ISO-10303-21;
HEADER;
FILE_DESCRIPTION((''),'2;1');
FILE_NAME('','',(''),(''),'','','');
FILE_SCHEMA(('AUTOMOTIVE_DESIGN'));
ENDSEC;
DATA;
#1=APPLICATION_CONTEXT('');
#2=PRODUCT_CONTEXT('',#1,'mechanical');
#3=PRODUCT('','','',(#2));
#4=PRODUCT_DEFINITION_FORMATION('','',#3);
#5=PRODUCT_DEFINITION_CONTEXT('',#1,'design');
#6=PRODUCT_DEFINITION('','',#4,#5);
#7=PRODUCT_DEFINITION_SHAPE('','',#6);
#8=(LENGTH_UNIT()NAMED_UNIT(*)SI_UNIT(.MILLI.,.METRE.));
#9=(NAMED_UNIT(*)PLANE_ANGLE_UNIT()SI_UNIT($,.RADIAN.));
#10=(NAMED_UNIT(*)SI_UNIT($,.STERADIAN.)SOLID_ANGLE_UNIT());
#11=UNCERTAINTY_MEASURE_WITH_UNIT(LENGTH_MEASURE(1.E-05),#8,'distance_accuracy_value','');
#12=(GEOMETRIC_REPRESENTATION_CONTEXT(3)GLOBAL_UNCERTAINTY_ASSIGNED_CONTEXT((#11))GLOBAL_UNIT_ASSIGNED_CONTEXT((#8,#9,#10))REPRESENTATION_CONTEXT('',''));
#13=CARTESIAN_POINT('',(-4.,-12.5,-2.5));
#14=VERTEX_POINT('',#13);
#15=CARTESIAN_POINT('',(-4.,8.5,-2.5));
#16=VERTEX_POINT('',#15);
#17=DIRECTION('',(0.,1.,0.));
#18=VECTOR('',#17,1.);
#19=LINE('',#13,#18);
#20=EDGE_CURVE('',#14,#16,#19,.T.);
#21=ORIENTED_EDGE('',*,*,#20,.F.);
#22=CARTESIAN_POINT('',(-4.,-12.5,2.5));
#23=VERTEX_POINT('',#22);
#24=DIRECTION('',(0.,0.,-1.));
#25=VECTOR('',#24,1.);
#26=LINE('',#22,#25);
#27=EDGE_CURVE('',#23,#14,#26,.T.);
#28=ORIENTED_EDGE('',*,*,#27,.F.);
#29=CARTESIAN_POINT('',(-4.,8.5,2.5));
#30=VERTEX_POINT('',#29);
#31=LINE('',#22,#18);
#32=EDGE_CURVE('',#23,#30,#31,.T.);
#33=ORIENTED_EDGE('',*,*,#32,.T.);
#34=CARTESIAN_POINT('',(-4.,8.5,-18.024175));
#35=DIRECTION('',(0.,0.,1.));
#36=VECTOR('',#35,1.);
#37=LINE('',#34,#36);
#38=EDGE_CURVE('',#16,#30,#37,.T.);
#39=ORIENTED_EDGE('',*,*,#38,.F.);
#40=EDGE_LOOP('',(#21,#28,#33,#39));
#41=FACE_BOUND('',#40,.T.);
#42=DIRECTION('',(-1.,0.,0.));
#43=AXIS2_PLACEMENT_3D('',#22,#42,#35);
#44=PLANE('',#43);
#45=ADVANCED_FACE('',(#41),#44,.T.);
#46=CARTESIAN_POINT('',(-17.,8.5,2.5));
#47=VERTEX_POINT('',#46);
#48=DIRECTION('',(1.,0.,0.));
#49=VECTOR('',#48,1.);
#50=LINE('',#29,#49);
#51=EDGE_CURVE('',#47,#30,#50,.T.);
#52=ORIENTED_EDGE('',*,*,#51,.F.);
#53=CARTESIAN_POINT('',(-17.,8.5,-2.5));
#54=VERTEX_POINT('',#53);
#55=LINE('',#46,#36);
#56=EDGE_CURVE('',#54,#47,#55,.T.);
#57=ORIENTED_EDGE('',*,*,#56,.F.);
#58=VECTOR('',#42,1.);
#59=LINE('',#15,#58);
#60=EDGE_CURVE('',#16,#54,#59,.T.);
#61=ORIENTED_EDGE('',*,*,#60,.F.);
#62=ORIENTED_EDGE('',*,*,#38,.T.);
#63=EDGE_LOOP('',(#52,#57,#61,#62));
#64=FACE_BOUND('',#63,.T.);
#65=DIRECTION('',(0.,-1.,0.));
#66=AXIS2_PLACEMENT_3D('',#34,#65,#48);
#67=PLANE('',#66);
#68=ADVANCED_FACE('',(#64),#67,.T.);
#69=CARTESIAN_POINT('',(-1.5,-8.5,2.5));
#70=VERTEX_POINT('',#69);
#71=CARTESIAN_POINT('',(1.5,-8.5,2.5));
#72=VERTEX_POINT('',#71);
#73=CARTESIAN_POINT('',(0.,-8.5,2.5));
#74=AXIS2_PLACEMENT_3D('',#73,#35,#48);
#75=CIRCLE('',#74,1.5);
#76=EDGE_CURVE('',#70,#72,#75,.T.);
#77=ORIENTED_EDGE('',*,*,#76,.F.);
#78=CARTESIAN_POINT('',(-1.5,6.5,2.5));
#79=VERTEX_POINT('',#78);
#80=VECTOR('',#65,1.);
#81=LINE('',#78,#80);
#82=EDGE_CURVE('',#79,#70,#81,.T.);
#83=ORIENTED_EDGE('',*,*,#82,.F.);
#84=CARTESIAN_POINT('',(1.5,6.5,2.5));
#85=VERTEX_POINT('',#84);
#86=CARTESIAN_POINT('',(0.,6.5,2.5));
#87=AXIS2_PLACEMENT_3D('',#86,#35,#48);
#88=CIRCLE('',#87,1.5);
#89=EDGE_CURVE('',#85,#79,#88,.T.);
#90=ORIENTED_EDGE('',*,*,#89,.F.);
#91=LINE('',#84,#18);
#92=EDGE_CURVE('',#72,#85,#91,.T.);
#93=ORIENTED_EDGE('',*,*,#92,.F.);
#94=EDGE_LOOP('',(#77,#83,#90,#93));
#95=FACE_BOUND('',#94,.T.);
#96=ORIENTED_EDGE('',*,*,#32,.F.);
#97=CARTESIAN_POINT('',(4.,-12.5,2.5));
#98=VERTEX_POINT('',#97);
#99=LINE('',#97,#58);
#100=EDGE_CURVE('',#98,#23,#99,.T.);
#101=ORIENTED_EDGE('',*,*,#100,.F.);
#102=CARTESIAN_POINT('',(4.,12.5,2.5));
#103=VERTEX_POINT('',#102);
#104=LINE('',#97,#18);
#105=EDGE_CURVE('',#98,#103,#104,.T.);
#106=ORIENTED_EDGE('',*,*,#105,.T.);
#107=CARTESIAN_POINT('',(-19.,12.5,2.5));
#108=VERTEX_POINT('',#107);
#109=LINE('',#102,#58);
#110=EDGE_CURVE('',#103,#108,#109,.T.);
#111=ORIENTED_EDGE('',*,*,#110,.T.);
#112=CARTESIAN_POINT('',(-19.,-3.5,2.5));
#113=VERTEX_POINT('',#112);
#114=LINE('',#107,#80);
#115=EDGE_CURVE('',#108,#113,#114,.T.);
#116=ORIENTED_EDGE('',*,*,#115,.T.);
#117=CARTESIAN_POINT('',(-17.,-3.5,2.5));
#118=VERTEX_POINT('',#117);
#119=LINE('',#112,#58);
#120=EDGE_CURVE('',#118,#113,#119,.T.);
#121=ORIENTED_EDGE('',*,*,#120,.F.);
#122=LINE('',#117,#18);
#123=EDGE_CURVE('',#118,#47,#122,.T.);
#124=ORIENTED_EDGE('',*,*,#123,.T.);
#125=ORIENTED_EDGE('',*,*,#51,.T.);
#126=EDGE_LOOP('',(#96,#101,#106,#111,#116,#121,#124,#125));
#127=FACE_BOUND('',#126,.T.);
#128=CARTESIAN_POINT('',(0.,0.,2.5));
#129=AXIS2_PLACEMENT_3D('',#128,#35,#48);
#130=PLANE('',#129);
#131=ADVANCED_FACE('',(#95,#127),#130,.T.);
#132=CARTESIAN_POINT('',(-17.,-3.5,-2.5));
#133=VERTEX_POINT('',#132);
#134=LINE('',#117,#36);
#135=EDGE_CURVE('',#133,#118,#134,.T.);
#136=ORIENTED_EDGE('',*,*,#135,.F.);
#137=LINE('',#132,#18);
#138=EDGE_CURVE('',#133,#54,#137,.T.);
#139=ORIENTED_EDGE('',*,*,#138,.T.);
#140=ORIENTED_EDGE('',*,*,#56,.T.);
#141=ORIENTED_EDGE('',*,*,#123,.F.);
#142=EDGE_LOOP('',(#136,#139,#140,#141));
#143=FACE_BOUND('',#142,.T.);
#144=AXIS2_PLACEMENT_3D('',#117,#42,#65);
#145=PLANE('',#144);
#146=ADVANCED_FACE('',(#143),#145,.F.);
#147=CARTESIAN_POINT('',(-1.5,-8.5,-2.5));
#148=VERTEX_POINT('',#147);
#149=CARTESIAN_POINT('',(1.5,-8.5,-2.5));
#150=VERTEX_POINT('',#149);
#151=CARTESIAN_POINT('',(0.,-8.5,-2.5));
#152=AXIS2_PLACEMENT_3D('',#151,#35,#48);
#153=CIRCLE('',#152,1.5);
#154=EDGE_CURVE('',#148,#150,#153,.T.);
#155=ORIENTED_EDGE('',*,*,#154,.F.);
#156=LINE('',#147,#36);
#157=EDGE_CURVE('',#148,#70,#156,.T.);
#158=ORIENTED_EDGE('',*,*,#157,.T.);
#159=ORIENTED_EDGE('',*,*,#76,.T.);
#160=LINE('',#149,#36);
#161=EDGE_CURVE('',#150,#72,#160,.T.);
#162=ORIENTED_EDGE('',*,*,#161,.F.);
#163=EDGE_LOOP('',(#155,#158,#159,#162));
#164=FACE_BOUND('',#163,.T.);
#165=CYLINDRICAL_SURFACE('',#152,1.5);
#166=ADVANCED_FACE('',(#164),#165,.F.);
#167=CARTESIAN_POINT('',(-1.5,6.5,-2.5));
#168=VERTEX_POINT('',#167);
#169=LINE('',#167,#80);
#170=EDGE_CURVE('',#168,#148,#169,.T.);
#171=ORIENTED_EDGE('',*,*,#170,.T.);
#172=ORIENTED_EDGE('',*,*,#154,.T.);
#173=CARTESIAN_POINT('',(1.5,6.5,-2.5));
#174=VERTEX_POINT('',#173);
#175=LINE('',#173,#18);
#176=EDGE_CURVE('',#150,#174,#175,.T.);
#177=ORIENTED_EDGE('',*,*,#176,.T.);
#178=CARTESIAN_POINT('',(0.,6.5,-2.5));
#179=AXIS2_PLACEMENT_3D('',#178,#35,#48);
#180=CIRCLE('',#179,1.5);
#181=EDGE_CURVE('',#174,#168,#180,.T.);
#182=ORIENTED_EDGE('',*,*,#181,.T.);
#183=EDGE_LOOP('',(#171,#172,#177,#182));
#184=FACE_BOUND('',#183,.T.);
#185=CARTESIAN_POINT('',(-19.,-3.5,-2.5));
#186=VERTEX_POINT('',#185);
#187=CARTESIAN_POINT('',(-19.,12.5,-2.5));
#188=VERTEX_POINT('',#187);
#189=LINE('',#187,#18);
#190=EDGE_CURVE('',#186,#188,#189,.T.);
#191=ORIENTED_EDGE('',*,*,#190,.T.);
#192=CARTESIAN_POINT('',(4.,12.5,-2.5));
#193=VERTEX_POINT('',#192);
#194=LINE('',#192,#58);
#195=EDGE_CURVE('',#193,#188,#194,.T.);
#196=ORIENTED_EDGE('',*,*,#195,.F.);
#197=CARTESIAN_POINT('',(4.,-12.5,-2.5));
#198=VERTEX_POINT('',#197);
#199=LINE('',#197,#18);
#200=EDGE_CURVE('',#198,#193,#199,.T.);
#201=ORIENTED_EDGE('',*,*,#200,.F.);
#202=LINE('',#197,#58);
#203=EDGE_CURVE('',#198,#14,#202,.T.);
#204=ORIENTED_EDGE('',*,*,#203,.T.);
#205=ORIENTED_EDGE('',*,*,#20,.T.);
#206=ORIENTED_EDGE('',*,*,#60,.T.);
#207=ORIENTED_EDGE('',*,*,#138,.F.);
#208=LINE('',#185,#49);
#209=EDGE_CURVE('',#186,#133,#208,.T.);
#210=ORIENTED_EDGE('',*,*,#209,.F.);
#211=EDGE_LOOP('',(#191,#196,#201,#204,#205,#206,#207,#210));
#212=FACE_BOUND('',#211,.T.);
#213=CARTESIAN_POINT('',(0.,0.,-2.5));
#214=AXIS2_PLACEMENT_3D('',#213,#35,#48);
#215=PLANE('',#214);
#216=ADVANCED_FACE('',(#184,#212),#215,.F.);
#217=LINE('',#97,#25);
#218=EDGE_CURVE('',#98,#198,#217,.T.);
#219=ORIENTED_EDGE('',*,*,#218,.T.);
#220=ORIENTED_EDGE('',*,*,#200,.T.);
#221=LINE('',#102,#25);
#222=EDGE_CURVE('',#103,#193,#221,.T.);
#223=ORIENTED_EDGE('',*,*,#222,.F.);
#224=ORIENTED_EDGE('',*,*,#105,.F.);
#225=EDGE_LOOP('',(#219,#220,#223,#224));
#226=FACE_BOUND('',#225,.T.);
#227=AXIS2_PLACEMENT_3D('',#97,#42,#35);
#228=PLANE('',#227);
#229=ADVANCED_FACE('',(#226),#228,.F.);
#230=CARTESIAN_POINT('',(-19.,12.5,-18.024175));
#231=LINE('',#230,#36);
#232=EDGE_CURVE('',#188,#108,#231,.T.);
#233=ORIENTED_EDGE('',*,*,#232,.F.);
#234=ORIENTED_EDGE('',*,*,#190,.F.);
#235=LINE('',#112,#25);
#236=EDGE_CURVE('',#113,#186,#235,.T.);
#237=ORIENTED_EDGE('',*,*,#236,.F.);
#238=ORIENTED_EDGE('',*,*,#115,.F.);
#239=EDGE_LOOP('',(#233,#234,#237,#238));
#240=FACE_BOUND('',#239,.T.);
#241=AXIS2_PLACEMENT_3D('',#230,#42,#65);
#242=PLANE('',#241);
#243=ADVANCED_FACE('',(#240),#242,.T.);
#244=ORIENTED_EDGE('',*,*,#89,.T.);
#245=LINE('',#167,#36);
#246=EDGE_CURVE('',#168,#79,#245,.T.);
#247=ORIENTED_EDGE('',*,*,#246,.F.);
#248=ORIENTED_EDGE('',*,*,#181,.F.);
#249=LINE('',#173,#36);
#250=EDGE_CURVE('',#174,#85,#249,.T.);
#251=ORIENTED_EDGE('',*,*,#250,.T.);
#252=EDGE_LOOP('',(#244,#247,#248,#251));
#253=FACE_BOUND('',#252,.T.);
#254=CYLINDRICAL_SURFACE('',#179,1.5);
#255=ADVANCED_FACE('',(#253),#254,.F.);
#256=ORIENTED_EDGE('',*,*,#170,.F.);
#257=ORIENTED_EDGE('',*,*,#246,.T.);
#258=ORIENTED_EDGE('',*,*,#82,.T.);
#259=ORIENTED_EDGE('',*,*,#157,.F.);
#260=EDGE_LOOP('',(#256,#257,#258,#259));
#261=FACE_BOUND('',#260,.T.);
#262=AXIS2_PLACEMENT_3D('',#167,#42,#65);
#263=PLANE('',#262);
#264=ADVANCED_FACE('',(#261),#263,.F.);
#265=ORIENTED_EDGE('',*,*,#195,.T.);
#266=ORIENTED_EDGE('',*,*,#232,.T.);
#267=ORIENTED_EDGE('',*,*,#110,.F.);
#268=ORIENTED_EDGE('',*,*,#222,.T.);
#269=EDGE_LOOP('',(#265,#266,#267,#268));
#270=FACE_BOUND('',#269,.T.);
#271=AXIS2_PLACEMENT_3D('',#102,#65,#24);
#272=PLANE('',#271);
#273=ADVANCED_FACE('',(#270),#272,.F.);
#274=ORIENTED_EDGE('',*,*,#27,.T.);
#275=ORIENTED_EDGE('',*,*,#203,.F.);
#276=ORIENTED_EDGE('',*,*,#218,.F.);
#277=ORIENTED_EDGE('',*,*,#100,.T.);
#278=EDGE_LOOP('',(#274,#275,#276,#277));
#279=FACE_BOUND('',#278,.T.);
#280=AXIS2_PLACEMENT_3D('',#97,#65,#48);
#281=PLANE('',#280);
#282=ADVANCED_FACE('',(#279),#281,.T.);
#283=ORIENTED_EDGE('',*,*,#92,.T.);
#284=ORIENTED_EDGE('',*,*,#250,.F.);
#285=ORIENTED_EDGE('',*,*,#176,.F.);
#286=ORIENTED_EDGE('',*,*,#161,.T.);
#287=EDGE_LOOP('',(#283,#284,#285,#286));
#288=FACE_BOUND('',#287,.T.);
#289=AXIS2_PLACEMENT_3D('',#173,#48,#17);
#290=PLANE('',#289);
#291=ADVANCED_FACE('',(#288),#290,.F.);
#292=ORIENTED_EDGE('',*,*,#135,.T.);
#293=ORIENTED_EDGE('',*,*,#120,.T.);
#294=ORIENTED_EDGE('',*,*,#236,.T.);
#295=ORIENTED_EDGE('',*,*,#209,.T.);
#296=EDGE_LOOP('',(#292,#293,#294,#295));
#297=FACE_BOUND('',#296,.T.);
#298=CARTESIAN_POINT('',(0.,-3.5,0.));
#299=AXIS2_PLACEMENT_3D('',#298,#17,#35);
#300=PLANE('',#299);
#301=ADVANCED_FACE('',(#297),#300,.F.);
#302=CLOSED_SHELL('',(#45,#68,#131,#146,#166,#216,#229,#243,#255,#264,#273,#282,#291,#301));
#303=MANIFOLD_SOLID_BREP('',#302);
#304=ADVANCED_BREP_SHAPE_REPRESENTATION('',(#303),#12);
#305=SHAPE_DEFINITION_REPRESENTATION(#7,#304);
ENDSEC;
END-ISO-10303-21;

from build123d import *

# Parameters (mm, degrees)
SKETCH1_W           = 8
SKETCH1_H           = 25
BOSS_EXTRUDE6_DEPTH = 2.5
SKETCH8_W           = 15
SKETCH8_H           = 4
BOSS_EXTRUDE7_DEPTH = 5
SKETCH9_W           = 2
SKETCH9_H           = 5
BOSS_EXTRUDE8_DEPTH = 12
CUT_EXTRUDE1_DEPTH  = 6


with BuildPart() as part:
    # Sketch1 → Boss-Extrude6 (new body, symmetric)
    with BuildSketch(Plane.XY):
        Rectangle(SKETCH1_W, SKETCH1_H)
    extrude(amount=BOSS_EXTRUDE6_DEPTH, both=True)

    # Sketch8 → Boss-Extrude7 (add)
    with BuildSketch(Plane.XY.offset(2.5)):
        with Locations((-11.5, 10.5)):
            Rectangle(SKETCH8_W, SKETCH8_H)
    extrude(amount=-BOSS_EXTRUDE7_DEPTH)

    # Sketch9 → Boss-Extrude8 (add)
    with BuildSketch(Plane.XZ.offset(-8.5)):
        with Locations((-18, 0)):
            Rectangle(SKETCH9_W, SKETCH9_H)
    extrude(amount=BOSS_EXTRUDE8_DEPTH)

    # Sketch10 → Cut-Extrude1 (cut, through all)
    with BuildSketch(Plane.XY.offset(2.5)):
        with BuildLine():
            Line((1.5, 6.5), (1.5, -8.5))
            ThreePointArc((1.5, -8.5), (0, -10), (-1.5, -8.5))
            Line((-1.5, -8.5), (-1.5, 6.5))
            ThreePointArc((-1.5, 6.5), (0, 8), (1.5, 6.5))
        make_face()
    extrude(amount=-CUT_EXTRUDE1_DEPTH, mode=Mode.SUBTRACT)


solid = part.part
